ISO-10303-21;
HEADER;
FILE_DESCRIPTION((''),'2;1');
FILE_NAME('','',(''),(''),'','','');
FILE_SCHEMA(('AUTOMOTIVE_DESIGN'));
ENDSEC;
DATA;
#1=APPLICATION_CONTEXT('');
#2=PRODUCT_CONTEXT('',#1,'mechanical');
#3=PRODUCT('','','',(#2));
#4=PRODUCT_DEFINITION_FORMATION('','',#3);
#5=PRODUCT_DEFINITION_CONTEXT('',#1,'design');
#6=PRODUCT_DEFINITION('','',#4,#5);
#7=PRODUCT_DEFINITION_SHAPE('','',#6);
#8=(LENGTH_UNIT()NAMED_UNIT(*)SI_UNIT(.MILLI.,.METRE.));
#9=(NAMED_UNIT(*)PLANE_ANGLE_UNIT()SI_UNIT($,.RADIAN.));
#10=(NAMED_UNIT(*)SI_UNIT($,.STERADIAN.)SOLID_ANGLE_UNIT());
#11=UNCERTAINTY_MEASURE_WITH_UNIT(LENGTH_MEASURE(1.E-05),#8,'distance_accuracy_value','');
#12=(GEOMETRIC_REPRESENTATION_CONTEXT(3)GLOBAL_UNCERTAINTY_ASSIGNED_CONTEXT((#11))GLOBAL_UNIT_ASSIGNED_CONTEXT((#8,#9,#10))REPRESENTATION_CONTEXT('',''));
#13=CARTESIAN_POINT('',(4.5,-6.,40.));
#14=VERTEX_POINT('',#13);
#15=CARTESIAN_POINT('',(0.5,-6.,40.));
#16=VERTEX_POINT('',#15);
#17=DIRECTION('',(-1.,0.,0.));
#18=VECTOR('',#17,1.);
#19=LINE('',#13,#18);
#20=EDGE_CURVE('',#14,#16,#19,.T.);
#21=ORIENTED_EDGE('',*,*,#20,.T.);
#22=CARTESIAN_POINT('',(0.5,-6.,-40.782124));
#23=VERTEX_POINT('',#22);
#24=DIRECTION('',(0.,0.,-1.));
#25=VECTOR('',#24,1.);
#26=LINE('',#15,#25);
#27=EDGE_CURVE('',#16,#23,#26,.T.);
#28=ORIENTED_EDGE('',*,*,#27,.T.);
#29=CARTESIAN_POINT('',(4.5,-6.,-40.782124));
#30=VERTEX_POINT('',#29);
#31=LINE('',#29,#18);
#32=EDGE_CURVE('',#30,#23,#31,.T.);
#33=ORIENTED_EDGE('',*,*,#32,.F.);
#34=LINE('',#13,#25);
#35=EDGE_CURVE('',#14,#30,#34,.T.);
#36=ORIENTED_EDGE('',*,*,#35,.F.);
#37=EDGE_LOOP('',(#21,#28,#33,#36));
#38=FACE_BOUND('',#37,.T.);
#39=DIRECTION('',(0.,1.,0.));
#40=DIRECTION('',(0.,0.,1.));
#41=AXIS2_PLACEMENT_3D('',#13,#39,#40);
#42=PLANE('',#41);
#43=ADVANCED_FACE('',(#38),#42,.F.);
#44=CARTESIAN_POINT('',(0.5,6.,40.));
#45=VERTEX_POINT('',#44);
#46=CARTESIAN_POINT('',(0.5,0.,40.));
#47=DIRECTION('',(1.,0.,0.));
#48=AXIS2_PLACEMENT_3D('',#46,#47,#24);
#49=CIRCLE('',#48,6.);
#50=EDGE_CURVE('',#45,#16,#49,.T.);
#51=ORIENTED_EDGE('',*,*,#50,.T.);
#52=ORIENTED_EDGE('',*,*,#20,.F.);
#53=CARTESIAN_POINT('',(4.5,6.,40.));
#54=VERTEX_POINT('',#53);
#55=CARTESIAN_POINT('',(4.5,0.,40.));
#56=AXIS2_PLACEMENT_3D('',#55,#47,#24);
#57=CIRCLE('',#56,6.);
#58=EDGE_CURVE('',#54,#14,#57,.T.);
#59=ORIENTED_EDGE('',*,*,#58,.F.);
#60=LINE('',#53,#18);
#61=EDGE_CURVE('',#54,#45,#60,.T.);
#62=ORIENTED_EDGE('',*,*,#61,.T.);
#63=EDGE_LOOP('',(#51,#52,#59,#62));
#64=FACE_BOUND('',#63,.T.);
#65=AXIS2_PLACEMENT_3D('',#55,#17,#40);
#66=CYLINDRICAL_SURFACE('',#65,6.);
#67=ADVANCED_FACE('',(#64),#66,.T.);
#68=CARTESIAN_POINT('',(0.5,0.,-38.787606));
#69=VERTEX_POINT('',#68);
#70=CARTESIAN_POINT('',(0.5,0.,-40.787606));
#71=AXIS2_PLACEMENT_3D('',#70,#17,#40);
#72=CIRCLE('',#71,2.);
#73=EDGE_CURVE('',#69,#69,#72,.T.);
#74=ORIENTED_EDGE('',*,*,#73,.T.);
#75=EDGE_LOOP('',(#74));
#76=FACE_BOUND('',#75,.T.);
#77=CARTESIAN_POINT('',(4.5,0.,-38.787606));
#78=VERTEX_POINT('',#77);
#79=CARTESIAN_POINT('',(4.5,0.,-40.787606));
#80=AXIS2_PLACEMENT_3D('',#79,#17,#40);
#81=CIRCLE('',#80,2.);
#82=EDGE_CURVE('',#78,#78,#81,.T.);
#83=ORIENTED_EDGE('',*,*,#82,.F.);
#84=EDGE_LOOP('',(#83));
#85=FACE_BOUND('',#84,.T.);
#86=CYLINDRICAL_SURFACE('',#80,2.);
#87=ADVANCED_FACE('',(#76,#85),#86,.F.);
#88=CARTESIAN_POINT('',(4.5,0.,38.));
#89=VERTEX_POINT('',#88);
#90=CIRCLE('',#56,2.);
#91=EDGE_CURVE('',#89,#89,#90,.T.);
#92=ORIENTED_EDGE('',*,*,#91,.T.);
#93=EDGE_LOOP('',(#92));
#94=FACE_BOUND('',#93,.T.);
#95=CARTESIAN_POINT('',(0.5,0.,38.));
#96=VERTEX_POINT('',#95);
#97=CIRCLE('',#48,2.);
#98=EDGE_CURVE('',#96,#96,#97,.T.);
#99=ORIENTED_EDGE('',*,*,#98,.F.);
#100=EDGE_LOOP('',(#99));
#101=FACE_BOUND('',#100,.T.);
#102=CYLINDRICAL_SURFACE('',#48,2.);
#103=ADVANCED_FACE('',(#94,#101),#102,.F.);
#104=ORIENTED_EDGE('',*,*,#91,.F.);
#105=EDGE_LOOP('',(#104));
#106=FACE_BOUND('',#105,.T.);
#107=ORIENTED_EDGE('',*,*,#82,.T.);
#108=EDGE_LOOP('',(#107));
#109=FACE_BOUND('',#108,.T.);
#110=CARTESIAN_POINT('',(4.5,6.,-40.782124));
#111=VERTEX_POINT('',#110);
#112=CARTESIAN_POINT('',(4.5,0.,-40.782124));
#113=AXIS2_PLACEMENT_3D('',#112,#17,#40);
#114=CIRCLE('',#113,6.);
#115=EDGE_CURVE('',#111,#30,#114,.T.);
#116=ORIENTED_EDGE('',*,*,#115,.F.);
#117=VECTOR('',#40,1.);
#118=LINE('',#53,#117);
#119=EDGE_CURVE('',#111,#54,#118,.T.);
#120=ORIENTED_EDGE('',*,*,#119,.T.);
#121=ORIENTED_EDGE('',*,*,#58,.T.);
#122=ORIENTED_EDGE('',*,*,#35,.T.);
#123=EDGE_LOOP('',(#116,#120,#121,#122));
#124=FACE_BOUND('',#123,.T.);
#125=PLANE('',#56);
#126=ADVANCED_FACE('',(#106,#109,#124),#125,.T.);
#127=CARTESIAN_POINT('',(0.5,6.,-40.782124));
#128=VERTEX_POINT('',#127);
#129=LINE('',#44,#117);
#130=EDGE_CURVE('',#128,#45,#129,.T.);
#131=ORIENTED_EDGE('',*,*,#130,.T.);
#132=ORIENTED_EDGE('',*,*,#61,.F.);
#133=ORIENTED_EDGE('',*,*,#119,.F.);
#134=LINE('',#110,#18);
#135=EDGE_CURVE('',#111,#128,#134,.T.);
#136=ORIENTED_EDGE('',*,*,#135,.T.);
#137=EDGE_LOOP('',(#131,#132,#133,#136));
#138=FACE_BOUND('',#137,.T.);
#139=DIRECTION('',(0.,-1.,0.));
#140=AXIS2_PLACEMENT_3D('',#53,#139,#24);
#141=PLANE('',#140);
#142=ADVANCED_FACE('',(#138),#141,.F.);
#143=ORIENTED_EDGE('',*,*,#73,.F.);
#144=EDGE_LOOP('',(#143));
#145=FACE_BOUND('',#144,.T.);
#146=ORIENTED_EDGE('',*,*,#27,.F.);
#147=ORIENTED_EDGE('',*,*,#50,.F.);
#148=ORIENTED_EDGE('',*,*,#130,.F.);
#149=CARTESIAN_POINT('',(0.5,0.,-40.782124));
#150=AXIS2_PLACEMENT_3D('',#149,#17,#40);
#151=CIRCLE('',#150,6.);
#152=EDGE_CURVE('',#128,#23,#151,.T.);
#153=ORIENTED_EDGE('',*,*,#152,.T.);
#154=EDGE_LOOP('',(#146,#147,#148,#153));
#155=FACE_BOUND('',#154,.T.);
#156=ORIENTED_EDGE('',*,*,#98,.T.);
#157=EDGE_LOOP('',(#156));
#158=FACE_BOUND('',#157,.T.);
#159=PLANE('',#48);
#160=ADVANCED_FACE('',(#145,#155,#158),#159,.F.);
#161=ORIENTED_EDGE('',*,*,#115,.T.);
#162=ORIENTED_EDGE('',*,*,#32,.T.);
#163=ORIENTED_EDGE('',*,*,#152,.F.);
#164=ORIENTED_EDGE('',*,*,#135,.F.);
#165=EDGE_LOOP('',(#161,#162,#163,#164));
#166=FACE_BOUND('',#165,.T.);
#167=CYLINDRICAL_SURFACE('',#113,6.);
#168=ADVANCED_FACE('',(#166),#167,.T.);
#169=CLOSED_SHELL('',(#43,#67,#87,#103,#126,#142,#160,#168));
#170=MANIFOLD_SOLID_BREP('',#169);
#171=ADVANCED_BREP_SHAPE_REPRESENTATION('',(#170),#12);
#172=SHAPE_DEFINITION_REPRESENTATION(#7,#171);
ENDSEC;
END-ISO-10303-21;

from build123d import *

# Parameters (mm, degrees)
SKETCH1_R           = 2.4
BOSS_EXTRUDE1_DEPTH = 5
SCALE1_SCALE        = 0.8
SKETCH2_R           = 2
CUT_EXTRUDE1_DEPTH  = 47.561786907
SKETCH4_R           = 2
BOSS_EXTRUDE2_DEPTH = 4
BOSS_EXTRUDE3_DEPTH = 4
SKETCH7_R           = 2
CUT_EXTRUDE2_DEPTH  = 48.334629336


with BuildPart() as part:
    # Sketch1 → Boss-Extrude1 (new body)
    with BuildSketch(Plane(origin=(0, 0, 0), x_dir=(0, 0, -1), z_dir=(1, 0, 0))):
        with BuildLine():
            Line((-50, 7.5), (50, 7.5))
            ThreePointArc((50, 7.5), (57.5, 0), (50, -7.5))
            Line((50, -7.5), (-50, -7.5))
            ThreePointArc((-50, -7.5), (-57.5, 0), (-50, 7.5))
        make_face()
        with Locations((-50, 0)):
            Circle(SKETCH1_R, mode=Mode.SUBTRACT)
        with Locations((50, 0)):
            Circle(SKETCH1_R, mode=Mode.SUBTRACT)
    extrude(amount=BOSS_EXTRUDE1_DEPTH)


with BuildPart() as part_1:
    # Scale1: scaled about (2.5, 0, 0)
    add(part.part.scale(SCALE1_SCALE).moved(Location((0.5, 0, 0))))

    # Sketch2 → Cut-Extrude1 (cut, through all)
    with BuildSketch(Plane(origin=(4.5, 0, 0), x_dir=(0, 0, -1), z_dir=(1, 0, 0))):
        with Locations((-40, 0)):
            Circle(SKETCH2_R)
        with Locations((40, 0)):
            Circle(SKETCH2_R)
    extrude(amount=-CUT_EXTRUDE1_DEPTH, mode=Mode.SUBTRACT)

    # Sketch4 → Boss-Extrude2 (add, through all)
    with BuildSketch(Plane.ZY.offset(-0.5)):
        with Locations((-40, 0)):
            Circle(SKETCH4_R)
    extrude(amount=-BOSS_EXTRUDE2_DEPTH)

    # Sketch6 → Boss-Extrude3 (add, through all)
    with BuildSketch(Plane.ZY.offset(-0.5)):
        with BuildLine():
            Line((-40.78212409, -6), (-33.634711985, -6))
            Line((-33.634711985, -6), (-33.634711985, 6))
            Line((-33.634711985, 6), (-40.78212409, 6))
            ThreePointArc((-40.78212409, 6), (-46.78212409, 0), (-40.78212409, -6))
        make_face()
    extrude(amount=-BOSS_EXTRUDE3_DEPTH)

    # Sketch7 → Cut-Extrude2 (cut, through all)
    with BuildSketch(Plane.ZY.offset(-0.5)):
        with Locations((-40.78760592, 0)):
            Circle(SKETCH7_R)
    extrude(amount=-CUT_EXTRUDE2_DEPTH, mode=Mode.SUBTRACT)


solid = part_1.part
